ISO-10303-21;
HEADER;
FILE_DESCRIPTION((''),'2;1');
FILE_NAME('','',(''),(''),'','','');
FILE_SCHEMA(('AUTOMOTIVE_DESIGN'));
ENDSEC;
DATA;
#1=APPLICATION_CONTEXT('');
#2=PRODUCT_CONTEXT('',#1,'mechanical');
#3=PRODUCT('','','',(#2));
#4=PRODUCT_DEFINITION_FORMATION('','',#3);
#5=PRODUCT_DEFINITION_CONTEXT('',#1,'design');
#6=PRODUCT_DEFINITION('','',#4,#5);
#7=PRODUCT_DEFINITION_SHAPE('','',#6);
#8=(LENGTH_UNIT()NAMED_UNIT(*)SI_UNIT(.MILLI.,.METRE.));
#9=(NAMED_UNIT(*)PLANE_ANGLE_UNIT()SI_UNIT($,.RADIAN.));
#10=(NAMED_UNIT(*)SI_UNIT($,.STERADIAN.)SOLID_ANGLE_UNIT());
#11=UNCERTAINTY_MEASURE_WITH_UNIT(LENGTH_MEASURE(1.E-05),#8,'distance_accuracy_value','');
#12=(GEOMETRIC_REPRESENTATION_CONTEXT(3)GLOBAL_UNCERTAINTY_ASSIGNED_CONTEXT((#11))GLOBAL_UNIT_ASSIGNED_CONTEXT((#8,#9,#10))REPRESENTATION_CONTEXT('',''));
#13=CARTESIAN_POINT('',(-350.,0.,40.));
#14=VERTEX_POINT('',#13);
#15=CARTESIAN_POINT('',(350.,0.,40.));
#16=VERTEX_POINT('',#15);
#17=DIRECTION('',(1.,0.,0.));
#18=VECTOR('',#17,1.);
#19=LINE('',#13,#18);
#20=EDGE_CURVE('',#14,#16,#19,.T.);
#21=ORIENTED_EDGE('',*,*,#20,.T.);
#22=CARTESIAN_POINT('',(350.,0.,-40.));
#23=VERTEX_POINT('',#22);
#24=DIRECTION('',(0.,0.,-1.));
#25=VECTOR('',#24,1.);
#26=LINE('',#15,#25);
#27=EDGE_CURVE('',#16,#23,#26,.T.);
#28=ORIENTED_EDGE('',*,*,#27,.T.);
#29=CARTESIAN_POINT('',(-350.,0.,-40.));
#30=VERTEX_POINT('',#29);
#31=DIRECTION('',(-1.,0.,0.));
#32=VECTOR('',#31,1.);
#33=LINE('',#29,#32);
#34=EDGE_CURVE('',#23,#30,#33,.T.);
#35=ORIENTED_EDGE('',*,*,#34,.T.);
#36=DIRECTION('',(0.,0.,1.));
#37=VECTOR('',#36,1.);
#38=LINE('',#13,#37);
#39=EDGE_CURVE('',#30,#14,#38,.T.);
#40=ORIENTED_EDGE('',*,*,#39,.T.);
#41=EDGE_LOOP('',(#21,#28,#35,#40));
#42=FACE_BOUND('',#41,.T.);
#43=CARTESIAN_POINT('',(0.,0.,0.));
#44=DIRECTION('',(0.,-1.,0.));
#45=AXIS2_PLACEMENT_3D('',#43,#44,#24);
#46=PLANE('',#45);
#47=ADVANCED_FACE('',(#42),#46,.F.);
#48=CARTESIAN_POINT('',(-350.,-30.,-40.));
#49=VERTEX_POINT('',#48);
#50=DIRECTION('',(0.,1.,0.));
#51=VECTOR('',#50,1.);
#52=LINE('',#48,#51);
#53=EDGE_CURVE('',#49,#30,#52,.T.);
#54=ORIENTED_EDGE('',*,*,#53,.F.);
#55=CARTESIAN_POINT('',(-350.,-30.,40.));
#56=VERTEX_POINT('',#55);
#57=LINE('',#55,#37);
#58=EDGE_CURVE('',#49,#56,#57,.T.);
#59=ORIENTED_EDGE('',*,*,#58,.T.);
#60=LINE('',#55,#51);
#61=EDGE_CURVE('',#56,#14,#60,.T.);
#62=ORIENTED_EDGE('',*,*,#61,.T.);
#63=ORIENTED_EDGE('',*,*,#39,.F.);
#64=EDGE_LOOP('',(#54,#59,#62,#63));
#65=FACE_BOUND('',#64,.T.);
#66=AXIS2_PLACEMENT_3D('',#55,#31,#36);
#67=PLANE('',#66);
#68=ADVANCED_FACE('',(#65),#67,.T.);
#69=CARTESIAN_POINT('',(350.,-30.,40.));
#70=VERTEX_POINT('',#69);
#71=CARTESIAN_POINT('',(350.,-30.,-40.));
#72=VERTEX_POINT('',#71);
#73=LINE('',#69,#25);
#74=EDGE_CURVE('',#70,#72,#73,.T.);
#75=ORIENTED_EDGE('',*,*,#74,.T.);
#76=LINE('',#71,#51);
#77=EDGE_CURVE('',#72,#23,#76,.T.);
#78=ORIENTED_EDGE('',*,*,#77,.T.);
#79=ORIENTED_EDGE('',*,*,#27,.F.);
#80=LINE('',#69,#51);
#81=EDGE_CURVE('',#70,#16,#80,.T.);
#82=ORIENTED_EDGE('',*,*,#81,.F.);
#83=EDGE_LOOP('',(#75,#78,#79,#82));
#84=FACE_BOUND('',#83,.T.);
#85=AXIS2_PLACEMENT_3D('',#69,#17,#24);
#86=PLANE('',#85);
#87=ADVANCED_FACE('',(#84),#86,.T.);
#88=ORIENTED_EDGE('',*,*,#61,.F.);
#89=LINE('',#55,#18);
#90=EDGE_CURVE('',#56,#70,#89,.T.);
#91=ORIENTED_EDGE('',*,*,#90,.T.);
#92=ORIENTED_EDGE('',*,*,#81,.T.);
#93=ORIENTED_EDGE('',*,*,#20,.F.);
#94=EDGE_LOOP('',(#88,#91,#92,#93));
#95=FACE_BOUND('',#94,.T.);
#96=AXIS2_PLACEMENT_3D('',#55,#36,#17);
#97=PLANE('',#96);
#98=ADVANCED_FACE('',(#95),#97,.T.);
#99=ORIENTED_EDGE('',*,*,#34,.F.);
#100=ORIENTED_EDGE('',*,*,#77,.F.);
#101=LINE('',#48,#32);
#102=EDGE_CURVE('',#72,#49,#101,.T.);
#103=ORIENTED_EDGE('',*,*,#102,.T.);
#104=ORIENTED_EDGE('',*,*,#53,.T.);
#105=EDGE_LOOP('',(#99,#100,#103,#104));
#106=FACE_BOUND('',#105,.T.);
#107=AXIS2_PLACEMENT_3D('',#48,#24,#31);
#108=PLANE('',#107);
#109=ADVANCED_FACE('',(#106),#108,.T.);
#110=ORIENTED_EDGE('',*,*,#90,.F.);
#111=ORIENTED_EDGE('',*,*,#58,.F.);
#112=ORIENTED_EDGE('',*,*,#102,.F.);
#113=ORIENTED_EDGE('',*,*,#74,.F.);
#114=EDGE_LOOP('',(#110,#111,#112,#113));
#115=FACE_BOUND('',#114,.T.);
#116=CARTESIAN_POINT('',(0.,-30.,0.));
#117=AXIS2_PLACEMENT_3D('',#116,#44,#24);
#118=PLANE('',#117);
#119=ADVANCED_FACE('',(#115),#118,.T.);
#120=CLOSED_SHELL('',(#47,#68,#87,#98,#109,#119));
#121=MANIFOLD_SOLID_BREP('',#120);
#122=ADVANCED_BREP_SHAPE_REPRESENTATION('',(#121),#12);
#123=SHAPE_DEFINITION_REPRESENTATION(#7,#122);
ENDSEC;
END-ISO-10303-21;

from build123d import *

# Parameters (mm, degrees)
IZIM1_W                     = 700
IZIM1_H                     = 80
Y_KSEKLIK_EKSTR_ZYON1_DEPTH = 30


with BuildPart() as part:
    # Çizim1 → Yükseklik-Ekstrüzyon1 (new body)
    with BuildSketch(Plane(origin=(0, 0, 0), x_dir=(1, 0, 0), z_dir=(0, 1, 0))):
        Rectangle(IZIM1_W, IZIM1_H)
    extrude(amount=-Y_KSEKLIK_EKSTR_ZYON1_DEPTH)


solid = part.part
